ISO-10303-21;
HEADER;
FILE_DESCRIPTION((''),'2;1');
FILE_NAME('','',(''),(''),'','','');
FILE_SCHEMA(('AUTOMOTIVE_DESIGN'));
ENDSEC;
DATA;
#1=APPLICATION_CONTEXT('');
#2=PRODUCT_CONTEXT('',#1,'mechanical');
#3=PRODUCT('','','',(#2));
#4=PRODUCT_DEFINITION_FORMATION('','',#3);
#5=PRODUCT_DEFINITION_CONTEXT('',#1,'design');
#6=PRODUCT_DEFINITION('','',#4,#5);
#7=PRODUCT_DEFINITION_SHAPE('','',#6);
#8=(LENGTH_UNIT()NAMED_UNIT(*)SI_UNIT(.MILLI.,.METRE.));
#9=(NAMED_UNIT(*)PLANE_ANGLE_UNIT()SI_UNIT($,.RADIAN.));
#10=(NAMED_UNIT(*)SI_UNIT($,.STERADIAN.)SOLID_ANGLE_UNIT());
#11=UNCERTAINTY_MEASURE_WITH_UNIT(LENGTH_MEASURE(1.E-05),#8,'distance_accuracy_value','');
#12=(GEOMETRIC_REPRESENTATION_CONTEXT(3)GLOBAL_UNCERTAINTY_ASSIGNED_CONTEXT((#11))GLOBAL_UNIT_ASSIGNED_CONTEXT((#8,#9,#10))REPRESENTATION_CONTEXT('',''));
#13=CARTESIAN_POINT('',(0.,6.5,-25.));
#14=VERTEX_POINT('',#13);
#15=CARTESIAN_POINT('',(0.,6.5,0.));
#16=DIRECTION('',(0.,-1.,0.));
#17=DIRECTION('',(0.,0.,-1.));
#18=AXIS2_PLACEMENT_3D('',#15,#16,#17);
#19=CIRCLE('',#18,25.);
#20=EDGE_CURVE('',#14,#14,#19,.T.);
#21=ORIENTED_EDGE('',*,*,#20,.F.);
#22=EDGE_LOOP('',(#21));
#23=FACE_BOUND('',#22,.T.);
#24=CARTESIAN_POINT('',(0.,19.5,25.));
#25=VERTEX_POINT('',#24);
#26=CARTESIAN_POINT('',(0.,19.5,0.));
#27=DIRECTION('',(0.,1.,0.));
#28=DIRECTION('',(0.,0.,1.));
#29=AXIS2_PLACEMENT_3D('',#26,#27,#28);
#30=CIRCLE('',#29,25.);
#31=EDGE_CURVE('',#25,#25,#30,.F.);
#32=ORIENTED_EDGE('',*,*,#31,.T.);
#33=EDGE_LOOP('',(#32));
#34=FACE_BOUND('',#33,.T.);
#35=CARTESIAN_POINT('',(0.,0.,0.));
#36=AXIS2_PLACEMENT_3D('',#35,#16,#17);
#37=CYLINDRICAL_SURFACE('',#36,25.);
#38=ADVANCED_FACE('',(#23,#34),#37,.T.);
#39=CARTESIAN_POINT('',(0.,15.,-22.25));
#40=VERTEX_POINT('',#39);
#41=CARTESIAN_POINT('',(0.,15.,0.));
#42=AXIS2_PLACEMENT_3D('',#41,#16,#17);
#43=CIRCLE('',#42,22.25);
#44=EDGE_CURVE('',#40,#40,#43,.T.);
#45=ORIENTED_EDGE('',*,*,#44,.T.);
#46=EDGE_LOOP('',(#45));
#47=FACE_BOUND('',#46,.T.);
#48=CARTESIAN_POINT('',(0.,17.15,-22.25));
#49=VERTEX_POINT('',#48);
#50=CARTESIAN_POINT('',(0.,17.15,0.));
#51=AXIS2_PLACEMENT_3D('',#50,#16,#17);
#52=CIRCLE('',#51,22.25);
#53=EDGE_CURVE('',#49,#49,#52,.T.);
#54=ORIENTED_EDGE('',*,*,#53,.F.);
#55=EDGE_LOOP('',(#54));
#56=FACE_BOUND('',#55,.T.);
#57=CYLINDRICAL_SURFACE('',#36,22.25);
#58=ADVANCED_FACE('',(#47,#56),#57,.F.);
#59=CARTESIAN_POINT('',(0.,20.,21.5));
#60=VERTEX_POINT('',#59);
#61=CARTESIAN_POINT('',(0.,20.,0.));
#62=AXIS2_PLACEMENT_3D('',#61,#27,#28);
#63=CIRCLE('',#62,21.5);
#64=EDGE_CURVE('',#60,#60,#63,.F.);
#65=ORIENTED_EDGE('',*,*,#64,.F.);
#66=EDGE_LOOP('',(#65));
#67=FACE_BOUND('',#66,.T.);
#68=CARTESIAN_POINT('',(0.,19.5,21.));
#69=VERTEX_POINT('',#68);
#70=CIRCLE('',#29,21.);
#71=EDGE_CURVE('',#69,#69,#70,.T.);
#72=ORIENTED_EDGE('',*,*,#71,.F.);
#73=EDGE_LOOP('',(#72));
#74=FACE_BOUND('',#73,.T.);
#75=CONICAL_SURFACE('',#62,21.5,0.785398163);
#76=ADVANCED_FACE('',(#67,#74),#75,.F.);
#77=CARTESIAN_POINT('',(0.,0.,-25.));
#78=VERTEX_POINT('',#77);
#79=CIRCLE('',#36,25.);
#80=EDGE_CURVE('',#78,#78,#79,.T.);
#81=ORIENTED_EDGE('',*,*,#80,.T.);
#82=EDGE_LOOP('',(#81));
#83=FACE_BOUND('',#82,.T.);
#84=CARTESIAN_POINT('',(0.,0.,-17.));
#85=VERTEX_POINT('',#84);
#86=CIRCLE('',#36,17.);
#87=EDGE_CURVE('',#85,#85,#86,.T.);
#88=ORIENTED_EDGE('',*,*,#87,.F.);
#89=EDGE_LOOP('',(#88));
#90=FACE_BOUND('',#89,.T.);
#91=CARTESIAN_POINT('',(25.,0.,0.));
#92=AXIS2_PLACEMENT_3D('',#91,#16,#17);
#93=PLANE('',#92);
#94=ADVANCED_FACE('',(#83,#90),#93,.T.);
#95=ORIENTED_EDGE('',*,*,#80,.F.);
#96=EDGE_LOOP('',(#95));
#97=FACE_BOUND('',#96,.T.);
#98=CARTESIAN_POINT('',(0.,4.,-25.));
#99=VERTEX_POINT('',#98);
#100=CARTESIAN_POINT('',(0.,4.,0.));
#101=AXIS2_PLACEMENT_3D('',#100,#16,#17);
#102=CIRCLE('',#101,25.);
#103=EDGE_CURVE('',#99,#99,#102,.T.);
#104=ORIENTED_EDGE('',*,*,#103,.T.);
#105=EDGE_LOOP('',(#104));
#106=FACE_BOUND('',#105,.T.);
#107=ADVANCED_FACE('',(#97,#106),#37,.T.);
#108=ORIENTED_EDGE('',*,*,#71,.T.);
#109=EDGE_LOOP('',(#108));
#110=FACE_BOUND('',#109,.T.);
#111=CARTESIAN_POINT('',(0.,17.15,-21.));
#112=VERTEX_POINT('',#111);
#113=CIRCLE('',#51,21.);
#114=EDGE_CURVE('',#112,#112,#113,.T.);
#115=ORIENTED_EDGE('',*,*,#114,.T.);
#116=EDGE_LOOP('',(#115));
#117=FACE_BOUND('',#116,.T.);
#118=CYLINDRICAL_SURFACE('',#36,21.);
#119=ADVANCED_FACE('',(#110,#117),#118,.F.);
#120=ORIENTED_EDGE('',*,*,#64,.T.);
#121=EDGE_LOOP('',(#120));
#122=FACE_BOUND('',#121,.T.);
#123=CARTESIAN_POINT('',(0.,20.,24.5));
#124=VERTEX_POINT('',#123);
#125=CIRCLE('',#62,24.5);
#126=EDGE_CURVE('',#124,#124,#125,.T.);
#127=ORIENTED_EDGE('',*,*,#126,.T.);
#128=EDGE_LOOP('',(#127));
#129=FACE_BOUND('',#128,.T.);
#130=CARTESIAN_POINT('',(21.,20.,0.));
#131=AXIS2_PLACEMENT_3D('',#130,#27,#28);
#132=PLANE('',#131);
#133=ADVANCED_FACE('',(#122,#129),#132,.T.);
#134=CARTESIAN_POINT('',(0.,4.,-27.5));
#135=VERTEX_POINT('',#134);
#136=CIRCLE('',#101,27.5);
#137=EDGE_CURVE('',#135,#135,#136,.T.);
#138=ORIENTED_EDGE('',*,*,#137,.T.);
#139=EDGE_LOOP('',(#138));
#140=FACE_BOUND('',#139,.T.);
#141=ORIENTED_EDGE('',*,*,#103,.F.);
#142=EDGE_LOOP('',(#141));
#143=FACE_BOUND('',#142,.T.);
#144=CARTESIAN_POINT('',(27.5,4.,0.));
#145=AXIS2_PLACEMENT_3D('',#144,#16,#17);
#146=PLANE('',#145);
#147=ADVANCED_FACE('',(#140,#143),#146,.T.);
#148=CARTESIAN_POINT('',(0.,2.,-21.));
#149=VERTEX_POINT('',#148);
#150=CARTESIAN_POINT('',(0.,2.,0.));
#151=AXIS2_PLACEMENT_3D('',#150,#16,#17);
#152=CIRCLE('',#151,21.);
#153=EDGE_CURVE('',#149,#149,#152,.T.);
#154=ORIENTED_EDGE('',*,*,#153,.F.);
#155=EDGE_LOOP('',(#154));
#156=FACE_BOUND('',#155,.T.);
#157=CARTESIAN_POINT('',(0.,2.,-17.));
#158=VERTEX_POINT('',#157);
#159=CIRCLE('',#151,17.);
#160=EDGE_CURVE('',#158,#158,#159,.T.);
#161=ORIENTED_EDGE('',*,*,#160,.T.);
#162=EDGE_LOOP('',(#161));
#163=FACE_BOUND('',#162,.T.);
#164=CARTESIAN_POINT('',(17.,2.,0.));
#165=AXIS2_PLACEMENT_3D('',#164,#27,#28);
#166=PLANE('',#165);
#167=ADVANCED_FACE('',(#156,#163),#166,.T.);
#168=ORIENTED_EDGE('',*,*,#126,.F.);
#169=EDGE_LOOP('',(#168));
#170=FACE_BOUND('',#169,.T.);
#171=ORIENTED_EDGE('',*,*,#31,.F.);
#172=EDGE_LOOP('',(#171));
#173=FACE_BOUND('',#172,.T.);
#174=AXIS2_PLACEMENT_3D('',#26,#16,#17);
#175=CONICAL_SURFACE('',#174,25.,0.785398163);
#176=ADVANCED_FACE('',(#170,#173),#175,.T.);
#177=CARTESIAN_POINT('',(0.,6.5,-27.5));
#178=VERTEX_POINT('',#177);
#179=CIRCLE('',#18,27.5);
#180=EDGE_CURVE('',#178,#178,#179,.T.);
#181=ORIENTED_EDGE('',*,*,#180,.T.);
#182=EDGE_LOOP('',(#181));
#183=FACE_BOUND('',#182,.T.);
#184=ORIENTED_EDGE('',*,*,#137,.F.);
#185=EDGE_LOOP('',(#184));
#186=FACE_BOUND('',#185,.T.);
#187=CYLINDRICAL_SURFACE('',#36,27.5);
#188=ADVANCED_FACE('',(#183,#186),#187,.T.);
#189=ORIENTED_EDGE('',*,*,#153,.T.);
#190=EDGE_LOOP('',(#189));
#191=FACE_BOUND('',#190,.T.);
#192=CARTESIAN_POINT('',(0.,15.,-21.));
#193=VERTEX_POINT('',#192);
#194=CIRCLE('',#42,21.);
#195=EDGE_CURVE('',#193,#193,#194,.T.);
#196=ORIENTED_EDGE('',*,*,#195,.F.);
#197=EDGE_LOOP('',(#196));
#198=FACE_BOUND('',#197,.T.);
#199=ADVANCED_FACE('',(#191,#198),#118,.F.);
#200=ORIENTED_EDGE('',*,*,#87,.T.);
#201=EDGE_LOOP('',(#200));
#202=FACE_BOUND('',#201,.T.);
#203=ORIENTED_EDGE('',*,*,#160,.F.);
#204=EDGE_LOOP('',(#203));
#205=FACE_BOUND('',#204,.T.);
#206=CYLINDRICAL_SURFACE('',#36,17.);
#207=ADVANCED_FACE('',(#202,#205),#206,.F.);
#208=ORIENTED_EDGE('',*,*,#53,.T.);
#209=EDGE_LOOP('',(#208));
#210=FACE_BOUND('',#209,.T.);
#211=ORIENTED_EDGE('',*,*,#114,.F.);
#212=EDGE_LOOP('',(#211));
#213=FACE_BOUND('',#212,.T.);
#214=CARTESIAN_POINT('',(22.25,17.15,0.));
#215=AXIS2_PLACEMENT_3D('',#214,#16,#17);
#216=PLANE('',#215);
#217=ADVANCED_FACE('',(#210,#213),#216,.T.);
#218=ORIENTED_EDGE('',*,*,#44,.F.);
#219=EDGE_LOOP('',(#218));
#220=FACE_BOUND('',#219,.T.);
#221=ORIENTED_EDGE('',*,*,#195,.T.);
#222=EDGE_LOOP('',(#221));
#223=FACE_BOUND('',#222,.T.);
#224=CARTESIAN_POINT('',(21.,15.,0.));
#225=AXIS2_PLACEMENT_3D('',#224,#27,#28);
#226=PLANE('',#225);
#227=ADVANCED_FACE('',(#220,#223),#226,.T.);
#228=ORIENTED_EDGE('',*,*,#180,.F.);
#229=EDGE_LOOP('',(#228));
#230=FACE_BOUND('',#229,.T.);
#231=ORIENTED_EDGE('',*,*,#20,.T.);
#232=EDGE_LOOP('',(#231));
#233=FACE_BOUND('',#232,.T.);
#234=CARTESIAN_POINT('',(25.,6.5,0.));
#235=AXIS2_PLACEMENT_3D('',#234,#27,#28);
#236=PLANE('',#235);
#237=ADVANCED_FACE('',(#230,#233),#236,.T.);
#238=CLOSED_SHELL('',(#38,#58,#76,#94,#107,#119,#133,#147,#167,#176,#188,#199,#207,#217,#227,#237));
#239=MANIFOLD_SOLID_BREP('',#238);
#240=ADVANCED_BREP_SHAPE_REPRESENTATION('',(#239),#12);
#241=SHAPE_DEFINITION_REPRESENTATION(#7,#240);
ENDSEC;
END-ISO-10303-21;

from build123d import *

# Parameters (mm, degrees)
CHAMFER_1_SIZE = 0.5


with BuildPart() as part:
    # Эскиз1 → Повернуть1 (revolve)
    with BuildSketch(Plane.XY):
        Polygon((17, 0), (17, 2), (21, 2), (21, 15), (22.25, 15), (22.25, 17.15), (21, 17.15), (21, 20), (25, 20), (25, 6.5), (27.5, 6.5), (27.5, 4), (25, 4), (25, 0), align=None)
    revolve(axis=Axis((0, 0, 0), (0, 1, 0)))

    # Фаска1
    chamfer_1_edges = [part.edges().sort_by_distance(p)[0] for p in [
        (-25, 20, 0),
        (-21, 20, 0),
    ]]
    chamfer(chamfer_1_edges, length=CHAMFER_1_SIZE)


solid = part.part
